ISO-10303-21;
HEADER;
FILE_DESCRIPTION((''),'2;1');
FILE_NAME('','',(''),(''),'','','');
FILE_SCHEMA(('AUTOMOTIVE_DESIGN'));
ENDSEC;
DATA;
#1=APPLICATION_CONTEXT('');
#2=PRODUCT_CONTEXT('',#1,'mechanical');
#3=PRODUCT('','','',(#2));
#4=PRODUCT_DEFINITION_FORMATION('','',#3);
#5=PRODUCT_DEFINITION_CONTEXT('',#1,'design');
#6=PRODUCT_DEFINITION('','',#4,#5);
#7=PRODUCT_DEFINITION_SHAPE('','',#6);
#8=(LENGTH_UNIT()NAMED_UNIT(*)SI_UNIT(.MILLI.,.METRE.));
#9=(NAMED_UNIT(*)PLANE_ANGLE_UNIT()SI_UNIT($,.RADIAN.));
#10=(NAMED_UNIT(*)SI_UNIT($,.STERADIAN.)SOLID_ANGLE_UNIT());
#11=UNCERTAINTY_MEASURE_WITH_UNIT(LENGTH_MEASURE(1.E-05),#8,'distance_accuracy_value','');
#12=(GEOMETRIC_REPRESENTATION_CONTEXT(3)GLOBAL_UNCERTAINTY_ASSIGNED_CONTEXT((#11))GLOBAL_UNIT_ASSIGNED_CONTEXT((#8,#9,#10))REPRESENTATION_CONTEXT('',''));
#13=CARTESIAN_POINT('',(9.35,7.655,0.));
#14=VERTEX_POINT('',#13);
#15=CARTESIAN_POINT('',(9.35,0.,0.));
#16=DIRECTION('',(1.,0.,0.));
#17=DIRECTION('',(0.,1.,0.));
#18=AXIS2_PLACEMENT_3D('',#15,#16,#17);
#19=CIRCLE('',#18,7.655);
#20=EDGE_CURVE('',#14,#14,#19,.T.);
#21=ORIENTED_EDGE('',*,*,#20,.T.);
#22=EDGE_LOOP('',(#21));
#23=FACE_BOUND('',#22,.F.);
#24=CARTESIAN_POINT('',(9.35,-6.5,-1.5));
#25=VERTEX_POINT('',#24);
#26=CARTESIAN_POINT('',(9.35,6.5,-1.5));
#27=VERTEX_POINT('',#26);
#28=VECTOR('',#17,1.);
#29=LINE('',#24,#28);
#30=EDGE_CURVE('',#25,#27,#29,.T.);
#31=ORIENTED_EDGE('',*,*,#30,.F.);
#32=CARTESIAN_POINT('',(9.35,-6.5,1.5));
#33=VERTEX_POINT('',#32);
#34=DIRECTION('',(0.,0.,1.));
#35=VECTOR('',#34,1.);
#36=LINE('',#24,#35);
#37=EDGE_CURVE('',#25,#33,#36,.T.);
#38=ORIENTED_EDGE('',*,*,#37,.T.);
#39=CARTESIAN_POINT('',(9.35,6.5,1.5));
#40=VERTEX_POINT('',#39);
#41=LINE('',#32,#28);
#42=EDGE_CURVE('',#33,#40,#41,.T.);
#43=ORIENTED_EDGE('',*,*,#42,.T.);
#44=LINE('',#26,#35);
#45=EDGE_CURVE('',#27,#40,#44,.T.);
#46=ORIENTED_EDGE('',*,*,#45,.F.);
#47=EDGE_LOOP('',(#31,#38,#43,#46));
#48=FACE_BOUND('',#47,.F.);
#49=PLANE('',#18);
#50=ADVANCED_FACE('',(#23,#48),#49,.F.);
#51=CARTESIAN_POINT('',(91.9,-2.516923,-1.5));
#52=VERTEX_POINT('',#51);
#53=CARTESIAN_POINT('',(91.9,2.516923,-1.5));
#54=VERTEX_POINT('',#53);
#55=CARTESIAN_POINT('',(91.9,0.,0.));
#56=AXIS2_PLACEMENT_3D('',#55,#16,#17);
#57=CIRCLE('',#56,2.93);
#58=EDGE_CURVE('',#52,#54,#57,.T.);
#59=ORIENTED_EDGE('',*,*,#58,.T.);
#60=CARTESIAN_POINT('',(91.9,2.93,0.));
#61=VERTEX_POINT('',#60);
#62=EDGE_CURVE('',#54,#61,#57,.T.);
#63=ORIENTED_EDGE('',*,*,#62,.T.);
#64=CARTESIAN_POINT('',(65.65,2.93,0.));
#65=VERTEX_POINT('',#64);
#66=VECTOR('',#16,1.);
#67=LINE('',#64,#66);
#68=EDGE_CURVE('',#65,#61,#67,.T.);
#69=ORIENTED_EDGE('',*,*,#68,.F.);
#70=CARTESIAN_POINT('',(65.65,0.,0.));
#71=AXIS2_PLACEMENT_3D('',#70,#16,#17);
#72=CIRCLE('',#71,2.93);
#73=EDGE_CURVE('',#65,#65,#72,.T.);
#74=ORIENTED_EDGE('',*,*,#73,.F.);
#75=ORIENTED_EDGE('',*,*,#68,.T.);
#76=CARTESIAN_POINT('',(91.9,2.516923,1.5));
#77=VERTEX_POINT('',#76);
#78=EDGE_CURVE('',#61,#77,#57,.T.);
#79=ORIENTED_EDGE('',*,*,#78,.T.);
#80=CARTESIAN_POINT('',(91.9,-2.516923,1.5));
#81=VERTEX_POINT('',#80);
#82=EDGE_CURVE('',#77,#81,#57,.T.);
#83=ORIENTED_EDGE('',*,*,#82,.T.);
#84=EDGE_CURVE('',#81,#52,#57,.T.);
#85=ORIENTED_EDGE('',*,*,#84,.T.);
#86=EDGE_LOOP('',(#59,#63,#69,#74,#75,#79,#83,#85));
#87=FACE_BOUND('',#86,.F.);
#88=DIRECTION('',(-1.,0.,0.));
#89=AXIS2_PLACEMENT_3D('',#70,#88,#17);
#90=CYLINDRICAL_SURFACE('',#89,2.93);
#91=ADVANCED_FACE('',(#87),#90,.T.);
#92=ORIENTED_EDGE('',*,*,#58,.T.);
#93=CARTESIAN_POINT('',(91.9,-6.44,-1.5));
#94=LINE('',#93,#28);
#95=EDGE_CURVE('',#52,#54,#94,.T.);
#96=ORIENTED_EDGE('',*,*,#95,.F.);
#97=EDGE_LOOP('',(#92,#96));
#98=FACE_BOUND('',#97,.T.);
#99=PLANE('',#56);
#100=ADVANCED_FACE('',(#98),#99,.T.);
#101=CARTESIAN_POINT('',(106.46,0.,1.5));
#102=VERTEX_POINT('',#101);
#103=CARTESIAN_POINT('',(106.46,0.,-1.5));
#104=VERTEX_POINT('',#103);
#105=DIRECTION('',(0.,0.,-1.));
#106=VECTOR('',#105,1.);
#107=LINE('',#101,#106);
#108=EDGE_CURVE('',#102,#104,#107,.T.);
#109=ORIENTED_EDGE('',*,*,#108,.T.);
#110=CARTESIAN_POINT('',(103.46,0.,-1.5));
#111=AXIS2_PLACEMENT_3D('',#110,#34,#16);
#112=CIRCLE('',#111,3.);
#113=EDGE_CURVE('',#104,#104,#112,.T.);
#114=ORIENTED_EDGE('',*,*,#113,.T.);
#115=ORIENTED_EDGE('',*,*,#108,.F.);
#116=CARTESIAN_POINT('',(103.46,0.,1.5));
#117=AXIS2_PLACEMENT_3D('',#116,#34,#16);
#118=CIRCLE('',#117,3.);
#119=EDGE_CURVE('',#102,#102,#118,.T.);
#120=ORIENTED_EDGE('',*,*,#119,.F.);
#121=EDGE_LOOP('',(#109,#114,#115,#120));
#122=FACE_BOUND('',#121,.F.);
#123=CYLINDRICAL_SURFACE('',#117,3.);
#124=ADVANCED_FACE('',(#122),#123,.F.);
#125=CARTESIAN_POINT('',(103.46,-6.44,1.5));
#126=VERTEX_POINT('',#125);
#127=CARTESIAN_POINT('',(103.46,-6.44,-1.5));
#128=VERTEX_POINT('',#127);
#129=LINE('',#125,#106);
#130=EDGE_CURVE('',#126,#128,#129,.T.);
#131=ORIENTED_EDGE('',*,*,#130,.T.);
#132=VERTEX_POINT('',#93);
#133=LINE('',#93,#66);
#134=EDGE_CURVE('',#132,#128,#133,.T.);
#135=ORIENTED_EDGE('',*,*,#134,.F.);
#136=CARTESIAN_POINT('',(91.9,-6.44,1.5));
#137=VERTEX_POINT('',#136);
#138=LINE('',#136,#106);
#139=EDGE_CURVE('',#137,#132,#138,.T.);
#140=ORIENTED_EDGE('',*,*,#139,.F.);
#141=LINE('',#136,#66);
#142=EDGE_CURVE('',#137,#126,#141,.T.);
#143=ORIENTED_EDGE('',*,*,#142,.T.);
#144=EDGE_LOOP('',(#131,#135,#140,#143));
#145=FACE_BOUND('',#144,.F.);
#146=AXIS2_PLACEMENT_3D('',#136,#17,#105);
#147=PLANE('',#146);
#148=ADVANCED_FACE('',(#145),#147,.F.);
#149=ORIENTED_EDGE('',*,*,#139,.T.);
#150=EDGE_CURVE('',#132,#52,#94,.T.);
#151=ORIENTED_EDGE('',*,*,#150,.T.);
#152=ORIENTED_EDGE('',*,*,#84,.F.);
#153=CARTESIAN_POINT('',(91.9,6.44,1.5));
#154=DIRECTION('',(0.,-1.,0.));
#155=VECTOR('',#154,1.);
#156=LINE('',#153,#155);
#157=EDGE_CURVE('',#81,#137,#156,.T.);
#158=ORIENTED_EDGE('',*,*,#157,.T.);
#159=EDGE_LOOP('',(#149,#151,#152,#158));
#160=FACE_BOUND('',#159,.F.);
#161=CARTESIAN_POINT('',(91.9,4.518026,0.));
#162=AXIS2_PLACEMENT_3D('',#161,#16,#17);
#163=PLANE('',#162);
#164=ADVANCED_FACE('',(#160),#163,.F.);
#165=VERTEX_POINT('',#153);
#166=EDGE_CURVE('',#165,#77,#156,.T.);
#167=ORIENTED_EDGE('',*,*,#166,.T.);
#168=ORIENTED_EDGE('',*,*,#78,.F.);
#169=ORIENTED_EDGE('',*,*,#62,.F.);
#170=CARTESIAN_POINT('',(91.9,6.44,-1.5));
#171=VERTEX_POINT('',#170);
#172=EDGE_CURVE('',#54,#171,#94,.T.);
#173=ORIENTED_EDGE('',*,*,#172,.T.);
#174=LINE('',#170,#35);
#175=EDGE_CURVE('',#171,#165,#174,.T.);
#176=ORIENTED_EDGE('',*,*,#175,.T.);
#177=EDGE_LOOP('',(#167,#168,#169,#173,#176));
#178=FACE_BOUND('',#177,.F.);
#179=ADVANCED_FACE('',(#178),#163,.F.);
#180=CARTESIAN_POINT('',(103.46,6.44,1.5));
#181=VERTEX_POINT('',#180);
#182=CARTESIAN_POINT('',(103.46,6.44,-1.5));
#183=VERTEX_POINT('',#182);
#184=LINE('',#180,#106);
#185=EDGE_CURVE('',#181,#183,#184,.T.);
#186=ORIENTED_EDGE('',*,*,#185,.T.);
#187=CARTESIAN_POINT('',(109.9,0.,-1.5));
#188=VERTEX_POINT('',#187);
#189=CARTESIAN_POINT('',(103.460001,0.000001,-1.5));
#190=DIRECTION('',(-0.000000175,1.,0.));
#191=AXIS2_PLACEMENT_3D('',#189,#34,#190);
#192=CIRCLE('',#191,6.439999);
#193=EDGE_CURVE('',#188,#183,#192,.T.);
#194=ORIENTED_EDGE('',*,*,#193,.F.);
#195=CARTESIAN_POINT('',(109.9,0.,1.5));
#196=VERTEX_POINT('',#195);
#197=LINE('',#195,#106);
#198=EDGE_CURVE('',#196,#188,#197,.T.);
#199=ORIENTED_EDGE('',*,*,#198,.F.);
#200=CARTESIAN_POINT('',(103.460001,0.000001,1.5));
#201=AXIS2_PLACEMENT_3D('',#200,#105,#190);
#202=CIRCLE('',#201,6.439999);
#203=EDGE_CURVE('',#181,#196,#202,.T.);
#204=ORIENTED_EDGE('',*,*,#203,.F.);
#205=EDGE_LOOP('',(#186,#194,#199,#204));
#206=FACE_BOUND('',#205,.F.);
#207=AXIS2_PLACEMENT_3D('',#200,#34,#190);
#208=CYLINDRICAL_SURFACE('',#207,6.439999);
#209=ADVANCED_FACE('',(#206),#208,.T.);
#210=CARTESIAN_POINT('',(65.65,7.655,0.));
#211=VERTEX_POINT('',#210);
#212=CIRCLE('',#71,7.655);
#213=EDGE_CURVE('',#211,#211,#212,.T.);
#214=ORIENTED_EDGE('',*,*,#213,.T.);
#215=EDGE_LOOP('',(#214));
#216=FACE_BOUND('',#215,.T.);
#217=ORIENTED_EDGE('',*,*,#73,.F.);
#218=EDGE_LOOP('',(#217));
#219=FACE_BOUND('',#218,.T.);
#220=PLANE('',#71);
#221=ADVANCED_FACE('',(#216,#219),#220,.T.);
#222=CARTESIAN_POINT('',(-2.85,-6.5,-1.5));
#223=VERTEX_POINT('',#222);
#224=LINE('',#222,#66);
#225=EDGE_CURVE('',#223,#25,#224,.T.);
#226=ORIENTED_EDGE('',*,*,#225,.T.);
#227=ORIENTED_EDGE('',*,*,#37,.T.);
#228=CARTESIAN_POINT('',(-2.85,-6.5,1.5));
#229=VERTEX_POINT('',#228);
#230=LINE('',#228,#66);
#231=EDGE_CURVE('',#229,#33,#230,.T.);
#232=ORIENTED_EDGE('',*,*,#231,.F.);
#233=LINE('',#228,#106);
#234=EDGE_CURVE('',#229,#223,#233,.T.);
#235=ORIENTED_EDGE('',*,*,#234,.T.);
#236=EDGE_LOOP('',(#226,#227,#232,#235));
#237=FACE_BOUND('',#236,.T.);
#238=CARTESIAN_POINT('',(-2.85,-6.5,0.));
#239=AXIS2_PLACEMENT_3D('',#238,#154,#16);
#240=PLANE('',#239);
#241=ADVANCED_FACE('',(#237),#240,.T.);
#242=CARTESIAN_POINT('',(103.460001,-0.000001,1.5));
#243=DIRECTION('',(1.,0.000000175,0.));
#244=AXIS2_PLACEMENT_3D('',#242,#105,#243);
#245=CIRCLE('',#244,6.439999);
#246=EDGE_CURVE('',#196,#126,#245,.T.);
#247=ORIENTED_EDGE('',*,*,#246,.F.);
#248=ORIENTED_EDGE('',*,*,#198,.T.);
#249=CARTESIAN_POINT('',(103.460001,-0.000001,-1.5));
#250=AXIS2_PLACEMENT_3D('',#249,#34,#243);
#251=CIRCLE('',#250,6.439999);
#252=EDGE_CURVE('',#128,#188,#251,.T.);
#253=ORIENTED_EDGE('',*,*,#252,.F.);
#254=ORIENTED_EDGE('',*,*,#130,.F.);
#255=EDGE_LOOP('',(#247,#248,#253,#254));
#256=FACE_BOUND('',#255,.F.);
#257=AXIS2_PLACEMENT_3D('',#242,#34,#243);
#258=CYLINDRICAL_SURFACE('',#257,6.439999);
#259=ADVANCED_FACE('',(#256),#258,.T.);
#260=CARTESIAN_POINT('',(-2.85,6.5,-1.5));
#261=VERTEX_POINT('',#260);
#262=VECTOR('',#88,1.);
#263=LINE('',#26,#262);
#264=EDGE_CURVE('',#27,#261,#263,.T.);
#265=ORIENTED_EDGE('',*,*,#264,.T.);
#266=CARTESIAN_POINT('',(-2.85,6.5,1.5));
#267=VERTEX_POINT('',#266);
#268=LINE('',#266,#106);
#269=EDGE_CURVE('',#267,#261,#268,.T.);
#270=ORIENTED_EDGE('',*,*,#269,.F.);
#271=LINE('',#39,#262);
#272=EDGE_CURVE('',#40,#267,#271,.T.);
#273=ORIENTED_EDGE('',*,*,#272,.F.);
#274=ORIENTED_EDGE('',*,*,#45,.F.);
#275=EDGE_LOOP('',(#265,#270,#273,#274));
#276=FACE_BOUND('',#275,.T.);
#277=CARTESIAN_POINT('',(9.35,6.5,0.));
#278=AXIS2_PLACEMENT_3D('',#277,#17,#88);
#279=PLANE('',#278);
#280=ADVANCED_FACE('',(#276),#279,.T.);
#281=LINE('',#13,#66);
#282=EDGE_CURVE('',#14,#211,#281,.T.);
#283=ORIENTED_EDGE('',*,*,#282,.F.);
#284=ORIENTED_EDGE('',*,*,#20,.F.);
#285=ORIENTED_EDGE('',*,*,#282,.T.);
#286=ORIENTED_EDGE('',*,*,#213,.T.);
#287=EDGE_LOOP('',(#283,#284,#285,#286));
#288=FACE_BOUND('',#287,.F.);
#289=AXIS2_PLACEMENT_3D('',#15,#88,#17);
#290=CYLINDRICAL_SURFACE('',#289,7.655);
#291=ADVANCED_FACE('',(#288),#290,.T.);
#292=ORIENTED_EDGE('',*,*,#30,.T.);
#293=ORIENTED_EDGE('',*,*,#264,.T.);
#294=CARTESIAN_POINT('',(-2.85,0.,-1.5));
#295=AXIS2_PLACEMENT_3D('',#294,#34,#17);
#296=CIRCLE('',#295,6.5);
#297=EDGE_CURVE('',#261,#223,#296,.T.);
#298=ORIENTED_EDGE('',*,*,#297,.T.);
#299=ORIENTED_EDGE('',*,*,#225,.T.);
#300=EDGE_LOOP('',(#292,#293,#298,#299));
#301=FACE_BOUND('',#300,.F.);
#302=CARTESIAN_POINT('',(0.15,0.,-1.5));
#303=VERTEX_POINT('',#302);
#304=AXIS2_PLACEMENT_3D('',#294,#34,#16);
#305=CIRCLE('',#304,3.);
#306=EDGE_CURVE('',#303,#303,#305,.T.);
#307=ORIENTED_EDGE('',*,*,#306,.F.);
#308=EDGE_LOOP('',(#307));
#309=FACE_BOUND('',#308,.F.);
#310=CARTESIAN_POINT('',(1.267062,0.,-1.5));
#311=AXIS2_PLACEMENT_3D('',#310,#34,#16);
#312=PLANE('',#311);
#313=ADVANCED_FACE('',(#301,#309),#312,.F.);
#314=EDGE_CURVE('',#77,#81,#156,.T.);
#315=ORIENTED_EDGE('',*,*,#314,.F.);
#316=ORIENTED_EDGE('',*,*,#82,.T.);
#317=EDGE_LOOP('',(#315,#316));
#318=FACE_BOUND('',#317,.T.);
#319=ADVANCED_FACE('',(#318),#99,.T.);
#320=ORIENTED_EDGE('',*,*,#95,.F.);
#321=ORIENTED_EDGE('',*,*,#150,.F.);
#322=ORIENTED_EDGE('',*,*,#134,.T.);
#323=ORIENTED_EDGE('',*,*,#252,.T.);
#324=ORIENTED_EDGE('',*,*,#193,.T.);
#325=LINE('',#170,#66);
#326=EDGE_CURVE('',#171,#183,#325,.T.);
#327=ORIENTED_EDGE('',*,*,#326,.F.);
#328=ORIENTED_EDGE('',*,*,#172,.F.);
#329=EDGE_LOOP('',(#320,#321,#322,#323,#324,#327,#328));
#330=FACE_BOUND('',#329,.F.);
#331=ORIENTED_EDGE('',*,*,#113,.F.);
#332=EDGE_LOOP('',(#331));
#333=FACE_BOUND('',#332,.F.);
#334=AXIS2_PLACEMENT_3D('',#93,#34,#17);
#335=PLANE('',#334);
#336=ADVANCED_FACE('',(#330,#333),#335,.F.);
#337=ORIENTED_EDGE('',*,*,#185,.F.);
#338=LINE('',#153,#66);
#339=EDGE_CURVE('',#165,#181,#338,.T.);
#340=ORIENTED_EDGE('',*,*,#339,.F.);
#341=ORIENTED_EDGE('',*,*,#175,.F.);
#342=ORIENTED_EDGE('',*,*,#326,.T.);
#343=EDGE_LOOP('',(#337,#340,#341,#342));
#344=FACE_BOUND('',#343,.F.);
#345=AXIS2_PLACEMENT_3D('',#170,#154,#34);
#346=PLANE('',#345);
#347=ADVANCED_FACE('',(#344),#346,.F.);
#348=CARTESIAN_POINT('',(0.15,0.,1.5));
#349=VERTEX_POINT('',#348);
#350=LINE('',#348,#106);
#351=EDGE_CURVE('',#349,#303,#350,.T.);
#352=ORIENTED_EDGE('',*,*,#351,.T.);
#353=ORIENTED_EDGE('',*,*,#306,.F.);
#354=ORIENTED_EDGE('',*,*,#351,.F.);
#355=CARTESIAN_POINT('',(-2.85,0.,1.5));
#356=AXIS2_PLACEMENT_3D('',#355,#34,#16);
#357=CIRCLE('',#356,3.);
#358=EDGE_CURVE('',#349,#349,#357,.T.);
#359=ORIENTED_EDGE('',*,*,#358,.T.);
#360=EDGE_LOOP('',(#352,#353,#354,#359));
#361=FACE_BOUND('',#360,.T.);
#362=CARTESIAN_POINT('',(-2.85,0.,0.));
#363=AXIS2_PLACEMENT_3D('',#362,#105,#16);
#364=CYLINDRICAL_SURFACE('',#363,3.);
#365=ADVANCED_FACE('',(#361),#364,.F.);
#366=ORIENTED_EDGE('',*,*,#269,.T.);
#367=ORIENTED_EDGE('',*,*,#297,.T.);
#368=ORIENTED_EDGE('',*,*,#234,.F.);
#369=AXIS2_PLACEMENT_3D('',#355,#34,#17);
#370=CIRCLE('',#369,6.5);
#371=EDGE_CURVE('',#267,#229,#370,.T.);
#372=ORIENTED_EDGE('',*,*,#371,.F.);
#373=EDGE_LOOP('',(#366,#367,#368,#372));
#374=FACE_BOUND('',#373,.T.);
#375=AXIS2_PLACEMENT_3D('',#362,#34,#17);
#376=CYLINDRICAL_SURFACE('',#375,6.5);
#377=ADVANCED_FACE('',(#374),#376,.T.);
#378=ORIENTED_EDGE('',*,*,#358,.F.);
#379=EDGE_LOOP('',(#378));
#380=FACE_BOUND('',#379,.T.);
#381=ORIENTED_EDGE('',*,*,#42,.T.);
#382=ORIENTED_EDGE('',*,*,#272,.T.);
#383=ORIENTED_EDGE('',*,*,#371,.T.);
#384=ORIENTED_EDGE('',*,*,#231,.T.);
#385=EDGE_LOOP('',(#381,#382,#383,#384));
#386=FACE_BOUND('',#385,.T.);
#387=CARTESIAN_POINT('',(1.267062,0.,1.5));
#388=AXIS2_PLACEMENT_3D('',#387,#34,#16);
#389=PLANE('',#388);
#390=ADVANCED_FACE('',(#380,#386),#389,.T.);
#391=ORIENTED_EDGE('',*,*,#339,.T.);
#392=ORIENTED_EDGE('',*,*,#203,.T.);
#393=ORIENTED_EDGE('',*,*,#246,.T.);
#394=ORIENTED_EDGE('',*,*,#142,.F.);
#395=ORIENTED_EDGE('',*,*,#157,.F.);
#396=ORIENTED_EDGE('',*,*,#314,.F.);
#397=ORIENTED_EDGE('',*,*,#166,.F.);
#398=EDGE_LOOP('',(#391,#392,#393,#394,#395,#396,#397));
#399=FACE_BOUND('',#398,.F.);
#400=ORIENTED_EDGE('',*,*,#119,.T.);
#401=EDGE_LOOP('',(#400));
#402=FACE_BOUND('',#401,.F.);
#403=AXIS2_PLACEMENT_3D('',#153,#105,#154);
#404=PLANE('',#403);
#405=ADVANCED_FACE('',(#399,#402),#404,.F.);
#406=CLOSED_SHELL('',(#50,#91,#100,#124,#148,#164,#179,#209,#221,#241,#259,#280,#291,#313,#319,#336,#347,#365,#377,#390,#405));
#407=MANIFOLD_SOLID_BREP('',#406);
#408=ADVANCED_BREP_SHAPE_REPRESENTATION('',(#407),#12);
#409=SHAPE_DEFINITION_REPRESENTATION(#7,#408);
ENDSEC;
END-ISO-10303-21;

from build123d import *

# Parameters (mm, degrees)
F0_R     = 3
F1_DEPTH = 1.5
F2_R     = 7.655
F2_W     = 13
F2_H     = 3
F3_DEPTH = 56.3
F4_R     = 2.93
F5_DEPTH = 26.25
F7_DEPTH = 18
F8_R     = 3
F9_DEPTH = 9.156


with BuildPart() as f1:
    # F0 (on Top) → F1 (new body, symmetric)
    with BuildSketch(Plane.XY):
        with BuildLine():
            Line((-2.85, -6.5), (9.35, -6.5))
            Line((9.35, -6.5), (9.35, 6.5))
            Line((9.35, 6.5), (-2.85, 6.5))
            ThreePointArc((-2.85, 6.5), (-9.35, 0), (-2.85, -6.5))
        make_face()
        with Locations((-2.85, 0)):
            Circle(F0_R, mode=Mode.SUBTRACT)
    extrude(amount=F1_DEPTH, both=True)

    # F2 (on face) → F3 (join)
    with BuildSketch(Plane.YZ.offset(9.35)):
        Circle(F2_R)
        Rectangle(F2_W, F2_H, mode=Mode.SUBTRACT)
        Rectangle(F2_W, F2_H)
    extrude(amount=F3_DEPTH)

    # F4 (on face) → F5 (join)
    with BuildSketch(Plane.YZ.offset(65.65)):
        Circle(F4_R)
    extrude(amount=F5_DEPTH)

    # F6 (on face) → F7 (join)
    with BuildSketch(Plane.YZ.offset(91.9)):
        with BuildLine():
            Line((2.516923, -1.5), (6.44, -1.5))
            Line((6.44, -1.5), (6.44, 1.5))
            Line((6.44, 1.5), (2.516923, 1.5))
            ThreePointArc((2.516923, 1.5), (2.824844, 0.777919), (2.93, 0))
            ThreePointArc((2.93, 0), (2.824844, -0.777919), (2.516923, -1.5))
        make_face()
        with BuildLine():
            Line((-2.516923, -1.5), (2.516923, -1.5))
            ThreePointArc((2.516923, -1.5), (2.824844, -0.777919), (2.93, 0))
            ThreePointArc((2.93, 0), (2.824844, 0.777919), (2.516923, 1.5))
            Line((2.516923, 1.5), (-2.516923, 1.5))
            ThreePointArc((-2.516923, 1.5), (-2.93, 0), (-2.516923, -1.5))
        make_face()
        with BuildLine():
            Line((-6.44, -1.5), (-2.516923, -1.5))
            ThreePointArc((-2.516923, -1.5), (-2.93, 0), (-2.516923, 1.5))
            Line((-2.516923, 1.5), (-6.44, 1.5))
            Line((-6.44, 1.5), (-6.44, -1.5))
        make_face()
    extrude(amount=F7_DEPTH)

    # F8 (on face) → F9 (cut, through all)
    with BuildSketch(Plane.XY.offset(1.5)):
        with Locations((103.46, 0)):
            Circle(F8_R)
        with BuildLine():
            ThreePointArc((103.46, 6.44), (108.013768, 4.553768), (109.9, 0))
            Line((109.9, 0), (109.9, 6.44))
            Line((109.9, 6.44), (103.46, 6.44))
        make_face()
        with BuildLine():
            ThreePointArc((109.9, 0), (108.013768, -4.553768), (103.46, -6.44))
            Line((103.46, -6.44), (109.9, -6.44))
            Line((109.9, -6.44), (109.9, 0))
        make_face()
    extrude(amount=-F9_DEPTH, mode=Mode.SUBTRACT)


solid = f1.part
